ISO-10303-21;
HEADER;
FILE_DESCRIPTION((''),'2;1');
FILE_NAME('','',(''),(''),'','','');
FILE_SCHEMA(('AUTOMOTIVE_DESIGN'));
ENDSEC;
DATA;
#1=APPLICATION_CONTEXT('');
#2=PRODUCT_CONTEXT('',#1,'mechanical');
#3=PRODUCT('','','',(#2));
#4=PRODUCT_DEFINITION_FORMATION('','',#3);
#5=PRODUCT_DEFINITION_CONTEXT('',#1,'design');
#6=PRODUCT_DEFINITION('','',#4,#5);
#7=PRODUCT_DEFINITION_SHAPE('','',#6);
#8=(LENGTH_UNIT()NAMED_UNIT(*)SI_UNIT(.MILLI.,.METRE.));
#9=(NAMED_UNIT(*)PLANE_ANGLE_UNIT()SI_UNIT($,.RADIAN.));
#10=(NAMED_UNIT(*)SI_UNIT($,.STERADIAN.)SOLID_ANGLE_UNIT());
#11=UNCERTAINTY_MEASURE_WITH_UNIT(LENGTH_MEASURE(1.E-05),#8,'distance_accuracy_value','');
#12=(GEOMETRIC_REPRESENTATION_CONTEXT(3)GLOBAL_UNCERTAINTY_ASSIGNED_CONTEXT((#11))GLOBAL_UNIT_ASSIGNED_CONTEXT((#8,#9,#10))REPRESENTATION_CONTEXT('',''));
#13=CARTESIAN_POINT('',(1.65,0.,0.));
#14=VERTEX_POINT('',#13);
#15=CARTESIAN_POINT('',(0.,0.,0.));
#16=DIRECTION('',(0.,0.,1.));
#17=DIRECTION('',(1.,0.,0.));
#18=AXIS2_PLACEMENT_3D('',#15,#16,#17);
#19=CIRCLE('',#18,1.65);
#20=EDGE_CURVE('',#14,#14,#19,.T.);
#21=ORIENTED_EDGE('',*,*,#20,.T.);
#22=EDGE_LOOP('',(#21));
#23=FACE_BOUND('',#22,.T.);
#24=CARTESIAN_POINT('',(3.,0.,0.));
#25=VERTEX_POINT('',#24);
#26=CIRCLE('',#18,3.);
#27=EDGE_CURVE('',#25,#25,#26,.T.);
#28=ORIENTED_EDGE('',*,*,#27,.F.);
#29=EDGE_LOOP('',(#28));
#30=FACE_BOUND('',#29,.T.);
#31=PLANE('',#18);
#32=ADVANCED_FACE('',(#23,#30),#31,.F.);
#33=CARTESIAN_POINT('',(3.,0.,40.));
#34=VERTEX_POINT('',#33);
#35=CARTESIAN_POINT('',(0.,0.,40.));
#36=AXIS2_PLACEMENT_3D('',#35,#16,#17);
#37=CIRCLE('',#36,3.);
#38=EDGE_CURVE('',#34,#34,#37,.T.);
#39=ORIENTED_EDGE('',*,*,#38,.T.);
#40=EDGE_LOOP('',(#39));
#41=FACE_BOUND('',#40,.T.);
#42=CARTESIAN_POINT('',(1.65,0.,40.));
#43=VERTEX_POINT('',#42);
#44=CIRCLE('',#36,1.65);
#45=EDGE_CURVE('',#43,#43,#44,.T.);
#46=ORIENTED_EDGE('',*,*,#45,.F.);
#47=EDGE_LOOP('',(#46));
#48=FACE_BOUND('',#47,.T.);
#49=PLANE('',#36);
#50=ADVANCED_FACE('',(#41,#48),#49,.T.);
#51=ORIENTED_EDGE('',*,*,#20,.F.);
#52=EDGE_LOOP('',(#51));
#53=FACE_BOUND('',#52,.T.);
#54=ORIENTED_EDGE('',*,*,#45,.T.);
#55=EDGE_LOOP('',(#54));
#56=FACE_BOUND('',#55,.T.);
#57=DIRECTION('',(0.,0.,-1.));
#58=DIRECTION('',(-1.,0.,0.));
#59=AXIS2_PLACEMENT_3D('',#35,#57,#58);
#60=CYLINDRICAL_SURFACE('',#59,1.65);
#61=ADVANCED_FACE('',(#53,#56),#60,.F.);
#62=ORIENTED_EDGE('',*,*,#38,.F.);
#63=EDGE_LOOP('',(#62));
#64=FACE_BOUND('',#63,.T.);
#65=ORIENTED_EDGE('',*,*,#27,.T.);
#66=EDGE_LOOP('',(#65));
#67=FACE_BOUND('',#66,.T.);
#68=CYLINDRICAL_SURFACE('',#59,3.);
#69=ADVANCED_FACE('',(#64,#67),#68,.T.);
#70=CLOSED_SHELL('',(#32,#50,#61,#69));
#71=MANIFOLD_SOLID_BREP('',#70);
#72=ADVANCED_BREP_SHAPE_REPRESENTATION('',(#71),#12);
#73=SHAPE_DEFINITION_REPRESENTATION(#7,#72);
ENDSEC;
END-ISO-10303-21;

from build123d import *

# Parameters (mm, degrees)
SKETCH_1_R      = 3
SKETCH_1_R_2    = 1.65
EXTRUDE_1_DEPTH = 40


with BuildPart() as part:
    # 草图1 → 凸台-拉伸1 (new body)
    with BuildSketch(Plane.XY):
        Circle(SKETCH_1_R)
        Circle(SKETCH_1_R_2, mode=Mode.SUBTRACT)
    extrude(amount=EXTRUDE_1_DEPTH)


solid = part.part
